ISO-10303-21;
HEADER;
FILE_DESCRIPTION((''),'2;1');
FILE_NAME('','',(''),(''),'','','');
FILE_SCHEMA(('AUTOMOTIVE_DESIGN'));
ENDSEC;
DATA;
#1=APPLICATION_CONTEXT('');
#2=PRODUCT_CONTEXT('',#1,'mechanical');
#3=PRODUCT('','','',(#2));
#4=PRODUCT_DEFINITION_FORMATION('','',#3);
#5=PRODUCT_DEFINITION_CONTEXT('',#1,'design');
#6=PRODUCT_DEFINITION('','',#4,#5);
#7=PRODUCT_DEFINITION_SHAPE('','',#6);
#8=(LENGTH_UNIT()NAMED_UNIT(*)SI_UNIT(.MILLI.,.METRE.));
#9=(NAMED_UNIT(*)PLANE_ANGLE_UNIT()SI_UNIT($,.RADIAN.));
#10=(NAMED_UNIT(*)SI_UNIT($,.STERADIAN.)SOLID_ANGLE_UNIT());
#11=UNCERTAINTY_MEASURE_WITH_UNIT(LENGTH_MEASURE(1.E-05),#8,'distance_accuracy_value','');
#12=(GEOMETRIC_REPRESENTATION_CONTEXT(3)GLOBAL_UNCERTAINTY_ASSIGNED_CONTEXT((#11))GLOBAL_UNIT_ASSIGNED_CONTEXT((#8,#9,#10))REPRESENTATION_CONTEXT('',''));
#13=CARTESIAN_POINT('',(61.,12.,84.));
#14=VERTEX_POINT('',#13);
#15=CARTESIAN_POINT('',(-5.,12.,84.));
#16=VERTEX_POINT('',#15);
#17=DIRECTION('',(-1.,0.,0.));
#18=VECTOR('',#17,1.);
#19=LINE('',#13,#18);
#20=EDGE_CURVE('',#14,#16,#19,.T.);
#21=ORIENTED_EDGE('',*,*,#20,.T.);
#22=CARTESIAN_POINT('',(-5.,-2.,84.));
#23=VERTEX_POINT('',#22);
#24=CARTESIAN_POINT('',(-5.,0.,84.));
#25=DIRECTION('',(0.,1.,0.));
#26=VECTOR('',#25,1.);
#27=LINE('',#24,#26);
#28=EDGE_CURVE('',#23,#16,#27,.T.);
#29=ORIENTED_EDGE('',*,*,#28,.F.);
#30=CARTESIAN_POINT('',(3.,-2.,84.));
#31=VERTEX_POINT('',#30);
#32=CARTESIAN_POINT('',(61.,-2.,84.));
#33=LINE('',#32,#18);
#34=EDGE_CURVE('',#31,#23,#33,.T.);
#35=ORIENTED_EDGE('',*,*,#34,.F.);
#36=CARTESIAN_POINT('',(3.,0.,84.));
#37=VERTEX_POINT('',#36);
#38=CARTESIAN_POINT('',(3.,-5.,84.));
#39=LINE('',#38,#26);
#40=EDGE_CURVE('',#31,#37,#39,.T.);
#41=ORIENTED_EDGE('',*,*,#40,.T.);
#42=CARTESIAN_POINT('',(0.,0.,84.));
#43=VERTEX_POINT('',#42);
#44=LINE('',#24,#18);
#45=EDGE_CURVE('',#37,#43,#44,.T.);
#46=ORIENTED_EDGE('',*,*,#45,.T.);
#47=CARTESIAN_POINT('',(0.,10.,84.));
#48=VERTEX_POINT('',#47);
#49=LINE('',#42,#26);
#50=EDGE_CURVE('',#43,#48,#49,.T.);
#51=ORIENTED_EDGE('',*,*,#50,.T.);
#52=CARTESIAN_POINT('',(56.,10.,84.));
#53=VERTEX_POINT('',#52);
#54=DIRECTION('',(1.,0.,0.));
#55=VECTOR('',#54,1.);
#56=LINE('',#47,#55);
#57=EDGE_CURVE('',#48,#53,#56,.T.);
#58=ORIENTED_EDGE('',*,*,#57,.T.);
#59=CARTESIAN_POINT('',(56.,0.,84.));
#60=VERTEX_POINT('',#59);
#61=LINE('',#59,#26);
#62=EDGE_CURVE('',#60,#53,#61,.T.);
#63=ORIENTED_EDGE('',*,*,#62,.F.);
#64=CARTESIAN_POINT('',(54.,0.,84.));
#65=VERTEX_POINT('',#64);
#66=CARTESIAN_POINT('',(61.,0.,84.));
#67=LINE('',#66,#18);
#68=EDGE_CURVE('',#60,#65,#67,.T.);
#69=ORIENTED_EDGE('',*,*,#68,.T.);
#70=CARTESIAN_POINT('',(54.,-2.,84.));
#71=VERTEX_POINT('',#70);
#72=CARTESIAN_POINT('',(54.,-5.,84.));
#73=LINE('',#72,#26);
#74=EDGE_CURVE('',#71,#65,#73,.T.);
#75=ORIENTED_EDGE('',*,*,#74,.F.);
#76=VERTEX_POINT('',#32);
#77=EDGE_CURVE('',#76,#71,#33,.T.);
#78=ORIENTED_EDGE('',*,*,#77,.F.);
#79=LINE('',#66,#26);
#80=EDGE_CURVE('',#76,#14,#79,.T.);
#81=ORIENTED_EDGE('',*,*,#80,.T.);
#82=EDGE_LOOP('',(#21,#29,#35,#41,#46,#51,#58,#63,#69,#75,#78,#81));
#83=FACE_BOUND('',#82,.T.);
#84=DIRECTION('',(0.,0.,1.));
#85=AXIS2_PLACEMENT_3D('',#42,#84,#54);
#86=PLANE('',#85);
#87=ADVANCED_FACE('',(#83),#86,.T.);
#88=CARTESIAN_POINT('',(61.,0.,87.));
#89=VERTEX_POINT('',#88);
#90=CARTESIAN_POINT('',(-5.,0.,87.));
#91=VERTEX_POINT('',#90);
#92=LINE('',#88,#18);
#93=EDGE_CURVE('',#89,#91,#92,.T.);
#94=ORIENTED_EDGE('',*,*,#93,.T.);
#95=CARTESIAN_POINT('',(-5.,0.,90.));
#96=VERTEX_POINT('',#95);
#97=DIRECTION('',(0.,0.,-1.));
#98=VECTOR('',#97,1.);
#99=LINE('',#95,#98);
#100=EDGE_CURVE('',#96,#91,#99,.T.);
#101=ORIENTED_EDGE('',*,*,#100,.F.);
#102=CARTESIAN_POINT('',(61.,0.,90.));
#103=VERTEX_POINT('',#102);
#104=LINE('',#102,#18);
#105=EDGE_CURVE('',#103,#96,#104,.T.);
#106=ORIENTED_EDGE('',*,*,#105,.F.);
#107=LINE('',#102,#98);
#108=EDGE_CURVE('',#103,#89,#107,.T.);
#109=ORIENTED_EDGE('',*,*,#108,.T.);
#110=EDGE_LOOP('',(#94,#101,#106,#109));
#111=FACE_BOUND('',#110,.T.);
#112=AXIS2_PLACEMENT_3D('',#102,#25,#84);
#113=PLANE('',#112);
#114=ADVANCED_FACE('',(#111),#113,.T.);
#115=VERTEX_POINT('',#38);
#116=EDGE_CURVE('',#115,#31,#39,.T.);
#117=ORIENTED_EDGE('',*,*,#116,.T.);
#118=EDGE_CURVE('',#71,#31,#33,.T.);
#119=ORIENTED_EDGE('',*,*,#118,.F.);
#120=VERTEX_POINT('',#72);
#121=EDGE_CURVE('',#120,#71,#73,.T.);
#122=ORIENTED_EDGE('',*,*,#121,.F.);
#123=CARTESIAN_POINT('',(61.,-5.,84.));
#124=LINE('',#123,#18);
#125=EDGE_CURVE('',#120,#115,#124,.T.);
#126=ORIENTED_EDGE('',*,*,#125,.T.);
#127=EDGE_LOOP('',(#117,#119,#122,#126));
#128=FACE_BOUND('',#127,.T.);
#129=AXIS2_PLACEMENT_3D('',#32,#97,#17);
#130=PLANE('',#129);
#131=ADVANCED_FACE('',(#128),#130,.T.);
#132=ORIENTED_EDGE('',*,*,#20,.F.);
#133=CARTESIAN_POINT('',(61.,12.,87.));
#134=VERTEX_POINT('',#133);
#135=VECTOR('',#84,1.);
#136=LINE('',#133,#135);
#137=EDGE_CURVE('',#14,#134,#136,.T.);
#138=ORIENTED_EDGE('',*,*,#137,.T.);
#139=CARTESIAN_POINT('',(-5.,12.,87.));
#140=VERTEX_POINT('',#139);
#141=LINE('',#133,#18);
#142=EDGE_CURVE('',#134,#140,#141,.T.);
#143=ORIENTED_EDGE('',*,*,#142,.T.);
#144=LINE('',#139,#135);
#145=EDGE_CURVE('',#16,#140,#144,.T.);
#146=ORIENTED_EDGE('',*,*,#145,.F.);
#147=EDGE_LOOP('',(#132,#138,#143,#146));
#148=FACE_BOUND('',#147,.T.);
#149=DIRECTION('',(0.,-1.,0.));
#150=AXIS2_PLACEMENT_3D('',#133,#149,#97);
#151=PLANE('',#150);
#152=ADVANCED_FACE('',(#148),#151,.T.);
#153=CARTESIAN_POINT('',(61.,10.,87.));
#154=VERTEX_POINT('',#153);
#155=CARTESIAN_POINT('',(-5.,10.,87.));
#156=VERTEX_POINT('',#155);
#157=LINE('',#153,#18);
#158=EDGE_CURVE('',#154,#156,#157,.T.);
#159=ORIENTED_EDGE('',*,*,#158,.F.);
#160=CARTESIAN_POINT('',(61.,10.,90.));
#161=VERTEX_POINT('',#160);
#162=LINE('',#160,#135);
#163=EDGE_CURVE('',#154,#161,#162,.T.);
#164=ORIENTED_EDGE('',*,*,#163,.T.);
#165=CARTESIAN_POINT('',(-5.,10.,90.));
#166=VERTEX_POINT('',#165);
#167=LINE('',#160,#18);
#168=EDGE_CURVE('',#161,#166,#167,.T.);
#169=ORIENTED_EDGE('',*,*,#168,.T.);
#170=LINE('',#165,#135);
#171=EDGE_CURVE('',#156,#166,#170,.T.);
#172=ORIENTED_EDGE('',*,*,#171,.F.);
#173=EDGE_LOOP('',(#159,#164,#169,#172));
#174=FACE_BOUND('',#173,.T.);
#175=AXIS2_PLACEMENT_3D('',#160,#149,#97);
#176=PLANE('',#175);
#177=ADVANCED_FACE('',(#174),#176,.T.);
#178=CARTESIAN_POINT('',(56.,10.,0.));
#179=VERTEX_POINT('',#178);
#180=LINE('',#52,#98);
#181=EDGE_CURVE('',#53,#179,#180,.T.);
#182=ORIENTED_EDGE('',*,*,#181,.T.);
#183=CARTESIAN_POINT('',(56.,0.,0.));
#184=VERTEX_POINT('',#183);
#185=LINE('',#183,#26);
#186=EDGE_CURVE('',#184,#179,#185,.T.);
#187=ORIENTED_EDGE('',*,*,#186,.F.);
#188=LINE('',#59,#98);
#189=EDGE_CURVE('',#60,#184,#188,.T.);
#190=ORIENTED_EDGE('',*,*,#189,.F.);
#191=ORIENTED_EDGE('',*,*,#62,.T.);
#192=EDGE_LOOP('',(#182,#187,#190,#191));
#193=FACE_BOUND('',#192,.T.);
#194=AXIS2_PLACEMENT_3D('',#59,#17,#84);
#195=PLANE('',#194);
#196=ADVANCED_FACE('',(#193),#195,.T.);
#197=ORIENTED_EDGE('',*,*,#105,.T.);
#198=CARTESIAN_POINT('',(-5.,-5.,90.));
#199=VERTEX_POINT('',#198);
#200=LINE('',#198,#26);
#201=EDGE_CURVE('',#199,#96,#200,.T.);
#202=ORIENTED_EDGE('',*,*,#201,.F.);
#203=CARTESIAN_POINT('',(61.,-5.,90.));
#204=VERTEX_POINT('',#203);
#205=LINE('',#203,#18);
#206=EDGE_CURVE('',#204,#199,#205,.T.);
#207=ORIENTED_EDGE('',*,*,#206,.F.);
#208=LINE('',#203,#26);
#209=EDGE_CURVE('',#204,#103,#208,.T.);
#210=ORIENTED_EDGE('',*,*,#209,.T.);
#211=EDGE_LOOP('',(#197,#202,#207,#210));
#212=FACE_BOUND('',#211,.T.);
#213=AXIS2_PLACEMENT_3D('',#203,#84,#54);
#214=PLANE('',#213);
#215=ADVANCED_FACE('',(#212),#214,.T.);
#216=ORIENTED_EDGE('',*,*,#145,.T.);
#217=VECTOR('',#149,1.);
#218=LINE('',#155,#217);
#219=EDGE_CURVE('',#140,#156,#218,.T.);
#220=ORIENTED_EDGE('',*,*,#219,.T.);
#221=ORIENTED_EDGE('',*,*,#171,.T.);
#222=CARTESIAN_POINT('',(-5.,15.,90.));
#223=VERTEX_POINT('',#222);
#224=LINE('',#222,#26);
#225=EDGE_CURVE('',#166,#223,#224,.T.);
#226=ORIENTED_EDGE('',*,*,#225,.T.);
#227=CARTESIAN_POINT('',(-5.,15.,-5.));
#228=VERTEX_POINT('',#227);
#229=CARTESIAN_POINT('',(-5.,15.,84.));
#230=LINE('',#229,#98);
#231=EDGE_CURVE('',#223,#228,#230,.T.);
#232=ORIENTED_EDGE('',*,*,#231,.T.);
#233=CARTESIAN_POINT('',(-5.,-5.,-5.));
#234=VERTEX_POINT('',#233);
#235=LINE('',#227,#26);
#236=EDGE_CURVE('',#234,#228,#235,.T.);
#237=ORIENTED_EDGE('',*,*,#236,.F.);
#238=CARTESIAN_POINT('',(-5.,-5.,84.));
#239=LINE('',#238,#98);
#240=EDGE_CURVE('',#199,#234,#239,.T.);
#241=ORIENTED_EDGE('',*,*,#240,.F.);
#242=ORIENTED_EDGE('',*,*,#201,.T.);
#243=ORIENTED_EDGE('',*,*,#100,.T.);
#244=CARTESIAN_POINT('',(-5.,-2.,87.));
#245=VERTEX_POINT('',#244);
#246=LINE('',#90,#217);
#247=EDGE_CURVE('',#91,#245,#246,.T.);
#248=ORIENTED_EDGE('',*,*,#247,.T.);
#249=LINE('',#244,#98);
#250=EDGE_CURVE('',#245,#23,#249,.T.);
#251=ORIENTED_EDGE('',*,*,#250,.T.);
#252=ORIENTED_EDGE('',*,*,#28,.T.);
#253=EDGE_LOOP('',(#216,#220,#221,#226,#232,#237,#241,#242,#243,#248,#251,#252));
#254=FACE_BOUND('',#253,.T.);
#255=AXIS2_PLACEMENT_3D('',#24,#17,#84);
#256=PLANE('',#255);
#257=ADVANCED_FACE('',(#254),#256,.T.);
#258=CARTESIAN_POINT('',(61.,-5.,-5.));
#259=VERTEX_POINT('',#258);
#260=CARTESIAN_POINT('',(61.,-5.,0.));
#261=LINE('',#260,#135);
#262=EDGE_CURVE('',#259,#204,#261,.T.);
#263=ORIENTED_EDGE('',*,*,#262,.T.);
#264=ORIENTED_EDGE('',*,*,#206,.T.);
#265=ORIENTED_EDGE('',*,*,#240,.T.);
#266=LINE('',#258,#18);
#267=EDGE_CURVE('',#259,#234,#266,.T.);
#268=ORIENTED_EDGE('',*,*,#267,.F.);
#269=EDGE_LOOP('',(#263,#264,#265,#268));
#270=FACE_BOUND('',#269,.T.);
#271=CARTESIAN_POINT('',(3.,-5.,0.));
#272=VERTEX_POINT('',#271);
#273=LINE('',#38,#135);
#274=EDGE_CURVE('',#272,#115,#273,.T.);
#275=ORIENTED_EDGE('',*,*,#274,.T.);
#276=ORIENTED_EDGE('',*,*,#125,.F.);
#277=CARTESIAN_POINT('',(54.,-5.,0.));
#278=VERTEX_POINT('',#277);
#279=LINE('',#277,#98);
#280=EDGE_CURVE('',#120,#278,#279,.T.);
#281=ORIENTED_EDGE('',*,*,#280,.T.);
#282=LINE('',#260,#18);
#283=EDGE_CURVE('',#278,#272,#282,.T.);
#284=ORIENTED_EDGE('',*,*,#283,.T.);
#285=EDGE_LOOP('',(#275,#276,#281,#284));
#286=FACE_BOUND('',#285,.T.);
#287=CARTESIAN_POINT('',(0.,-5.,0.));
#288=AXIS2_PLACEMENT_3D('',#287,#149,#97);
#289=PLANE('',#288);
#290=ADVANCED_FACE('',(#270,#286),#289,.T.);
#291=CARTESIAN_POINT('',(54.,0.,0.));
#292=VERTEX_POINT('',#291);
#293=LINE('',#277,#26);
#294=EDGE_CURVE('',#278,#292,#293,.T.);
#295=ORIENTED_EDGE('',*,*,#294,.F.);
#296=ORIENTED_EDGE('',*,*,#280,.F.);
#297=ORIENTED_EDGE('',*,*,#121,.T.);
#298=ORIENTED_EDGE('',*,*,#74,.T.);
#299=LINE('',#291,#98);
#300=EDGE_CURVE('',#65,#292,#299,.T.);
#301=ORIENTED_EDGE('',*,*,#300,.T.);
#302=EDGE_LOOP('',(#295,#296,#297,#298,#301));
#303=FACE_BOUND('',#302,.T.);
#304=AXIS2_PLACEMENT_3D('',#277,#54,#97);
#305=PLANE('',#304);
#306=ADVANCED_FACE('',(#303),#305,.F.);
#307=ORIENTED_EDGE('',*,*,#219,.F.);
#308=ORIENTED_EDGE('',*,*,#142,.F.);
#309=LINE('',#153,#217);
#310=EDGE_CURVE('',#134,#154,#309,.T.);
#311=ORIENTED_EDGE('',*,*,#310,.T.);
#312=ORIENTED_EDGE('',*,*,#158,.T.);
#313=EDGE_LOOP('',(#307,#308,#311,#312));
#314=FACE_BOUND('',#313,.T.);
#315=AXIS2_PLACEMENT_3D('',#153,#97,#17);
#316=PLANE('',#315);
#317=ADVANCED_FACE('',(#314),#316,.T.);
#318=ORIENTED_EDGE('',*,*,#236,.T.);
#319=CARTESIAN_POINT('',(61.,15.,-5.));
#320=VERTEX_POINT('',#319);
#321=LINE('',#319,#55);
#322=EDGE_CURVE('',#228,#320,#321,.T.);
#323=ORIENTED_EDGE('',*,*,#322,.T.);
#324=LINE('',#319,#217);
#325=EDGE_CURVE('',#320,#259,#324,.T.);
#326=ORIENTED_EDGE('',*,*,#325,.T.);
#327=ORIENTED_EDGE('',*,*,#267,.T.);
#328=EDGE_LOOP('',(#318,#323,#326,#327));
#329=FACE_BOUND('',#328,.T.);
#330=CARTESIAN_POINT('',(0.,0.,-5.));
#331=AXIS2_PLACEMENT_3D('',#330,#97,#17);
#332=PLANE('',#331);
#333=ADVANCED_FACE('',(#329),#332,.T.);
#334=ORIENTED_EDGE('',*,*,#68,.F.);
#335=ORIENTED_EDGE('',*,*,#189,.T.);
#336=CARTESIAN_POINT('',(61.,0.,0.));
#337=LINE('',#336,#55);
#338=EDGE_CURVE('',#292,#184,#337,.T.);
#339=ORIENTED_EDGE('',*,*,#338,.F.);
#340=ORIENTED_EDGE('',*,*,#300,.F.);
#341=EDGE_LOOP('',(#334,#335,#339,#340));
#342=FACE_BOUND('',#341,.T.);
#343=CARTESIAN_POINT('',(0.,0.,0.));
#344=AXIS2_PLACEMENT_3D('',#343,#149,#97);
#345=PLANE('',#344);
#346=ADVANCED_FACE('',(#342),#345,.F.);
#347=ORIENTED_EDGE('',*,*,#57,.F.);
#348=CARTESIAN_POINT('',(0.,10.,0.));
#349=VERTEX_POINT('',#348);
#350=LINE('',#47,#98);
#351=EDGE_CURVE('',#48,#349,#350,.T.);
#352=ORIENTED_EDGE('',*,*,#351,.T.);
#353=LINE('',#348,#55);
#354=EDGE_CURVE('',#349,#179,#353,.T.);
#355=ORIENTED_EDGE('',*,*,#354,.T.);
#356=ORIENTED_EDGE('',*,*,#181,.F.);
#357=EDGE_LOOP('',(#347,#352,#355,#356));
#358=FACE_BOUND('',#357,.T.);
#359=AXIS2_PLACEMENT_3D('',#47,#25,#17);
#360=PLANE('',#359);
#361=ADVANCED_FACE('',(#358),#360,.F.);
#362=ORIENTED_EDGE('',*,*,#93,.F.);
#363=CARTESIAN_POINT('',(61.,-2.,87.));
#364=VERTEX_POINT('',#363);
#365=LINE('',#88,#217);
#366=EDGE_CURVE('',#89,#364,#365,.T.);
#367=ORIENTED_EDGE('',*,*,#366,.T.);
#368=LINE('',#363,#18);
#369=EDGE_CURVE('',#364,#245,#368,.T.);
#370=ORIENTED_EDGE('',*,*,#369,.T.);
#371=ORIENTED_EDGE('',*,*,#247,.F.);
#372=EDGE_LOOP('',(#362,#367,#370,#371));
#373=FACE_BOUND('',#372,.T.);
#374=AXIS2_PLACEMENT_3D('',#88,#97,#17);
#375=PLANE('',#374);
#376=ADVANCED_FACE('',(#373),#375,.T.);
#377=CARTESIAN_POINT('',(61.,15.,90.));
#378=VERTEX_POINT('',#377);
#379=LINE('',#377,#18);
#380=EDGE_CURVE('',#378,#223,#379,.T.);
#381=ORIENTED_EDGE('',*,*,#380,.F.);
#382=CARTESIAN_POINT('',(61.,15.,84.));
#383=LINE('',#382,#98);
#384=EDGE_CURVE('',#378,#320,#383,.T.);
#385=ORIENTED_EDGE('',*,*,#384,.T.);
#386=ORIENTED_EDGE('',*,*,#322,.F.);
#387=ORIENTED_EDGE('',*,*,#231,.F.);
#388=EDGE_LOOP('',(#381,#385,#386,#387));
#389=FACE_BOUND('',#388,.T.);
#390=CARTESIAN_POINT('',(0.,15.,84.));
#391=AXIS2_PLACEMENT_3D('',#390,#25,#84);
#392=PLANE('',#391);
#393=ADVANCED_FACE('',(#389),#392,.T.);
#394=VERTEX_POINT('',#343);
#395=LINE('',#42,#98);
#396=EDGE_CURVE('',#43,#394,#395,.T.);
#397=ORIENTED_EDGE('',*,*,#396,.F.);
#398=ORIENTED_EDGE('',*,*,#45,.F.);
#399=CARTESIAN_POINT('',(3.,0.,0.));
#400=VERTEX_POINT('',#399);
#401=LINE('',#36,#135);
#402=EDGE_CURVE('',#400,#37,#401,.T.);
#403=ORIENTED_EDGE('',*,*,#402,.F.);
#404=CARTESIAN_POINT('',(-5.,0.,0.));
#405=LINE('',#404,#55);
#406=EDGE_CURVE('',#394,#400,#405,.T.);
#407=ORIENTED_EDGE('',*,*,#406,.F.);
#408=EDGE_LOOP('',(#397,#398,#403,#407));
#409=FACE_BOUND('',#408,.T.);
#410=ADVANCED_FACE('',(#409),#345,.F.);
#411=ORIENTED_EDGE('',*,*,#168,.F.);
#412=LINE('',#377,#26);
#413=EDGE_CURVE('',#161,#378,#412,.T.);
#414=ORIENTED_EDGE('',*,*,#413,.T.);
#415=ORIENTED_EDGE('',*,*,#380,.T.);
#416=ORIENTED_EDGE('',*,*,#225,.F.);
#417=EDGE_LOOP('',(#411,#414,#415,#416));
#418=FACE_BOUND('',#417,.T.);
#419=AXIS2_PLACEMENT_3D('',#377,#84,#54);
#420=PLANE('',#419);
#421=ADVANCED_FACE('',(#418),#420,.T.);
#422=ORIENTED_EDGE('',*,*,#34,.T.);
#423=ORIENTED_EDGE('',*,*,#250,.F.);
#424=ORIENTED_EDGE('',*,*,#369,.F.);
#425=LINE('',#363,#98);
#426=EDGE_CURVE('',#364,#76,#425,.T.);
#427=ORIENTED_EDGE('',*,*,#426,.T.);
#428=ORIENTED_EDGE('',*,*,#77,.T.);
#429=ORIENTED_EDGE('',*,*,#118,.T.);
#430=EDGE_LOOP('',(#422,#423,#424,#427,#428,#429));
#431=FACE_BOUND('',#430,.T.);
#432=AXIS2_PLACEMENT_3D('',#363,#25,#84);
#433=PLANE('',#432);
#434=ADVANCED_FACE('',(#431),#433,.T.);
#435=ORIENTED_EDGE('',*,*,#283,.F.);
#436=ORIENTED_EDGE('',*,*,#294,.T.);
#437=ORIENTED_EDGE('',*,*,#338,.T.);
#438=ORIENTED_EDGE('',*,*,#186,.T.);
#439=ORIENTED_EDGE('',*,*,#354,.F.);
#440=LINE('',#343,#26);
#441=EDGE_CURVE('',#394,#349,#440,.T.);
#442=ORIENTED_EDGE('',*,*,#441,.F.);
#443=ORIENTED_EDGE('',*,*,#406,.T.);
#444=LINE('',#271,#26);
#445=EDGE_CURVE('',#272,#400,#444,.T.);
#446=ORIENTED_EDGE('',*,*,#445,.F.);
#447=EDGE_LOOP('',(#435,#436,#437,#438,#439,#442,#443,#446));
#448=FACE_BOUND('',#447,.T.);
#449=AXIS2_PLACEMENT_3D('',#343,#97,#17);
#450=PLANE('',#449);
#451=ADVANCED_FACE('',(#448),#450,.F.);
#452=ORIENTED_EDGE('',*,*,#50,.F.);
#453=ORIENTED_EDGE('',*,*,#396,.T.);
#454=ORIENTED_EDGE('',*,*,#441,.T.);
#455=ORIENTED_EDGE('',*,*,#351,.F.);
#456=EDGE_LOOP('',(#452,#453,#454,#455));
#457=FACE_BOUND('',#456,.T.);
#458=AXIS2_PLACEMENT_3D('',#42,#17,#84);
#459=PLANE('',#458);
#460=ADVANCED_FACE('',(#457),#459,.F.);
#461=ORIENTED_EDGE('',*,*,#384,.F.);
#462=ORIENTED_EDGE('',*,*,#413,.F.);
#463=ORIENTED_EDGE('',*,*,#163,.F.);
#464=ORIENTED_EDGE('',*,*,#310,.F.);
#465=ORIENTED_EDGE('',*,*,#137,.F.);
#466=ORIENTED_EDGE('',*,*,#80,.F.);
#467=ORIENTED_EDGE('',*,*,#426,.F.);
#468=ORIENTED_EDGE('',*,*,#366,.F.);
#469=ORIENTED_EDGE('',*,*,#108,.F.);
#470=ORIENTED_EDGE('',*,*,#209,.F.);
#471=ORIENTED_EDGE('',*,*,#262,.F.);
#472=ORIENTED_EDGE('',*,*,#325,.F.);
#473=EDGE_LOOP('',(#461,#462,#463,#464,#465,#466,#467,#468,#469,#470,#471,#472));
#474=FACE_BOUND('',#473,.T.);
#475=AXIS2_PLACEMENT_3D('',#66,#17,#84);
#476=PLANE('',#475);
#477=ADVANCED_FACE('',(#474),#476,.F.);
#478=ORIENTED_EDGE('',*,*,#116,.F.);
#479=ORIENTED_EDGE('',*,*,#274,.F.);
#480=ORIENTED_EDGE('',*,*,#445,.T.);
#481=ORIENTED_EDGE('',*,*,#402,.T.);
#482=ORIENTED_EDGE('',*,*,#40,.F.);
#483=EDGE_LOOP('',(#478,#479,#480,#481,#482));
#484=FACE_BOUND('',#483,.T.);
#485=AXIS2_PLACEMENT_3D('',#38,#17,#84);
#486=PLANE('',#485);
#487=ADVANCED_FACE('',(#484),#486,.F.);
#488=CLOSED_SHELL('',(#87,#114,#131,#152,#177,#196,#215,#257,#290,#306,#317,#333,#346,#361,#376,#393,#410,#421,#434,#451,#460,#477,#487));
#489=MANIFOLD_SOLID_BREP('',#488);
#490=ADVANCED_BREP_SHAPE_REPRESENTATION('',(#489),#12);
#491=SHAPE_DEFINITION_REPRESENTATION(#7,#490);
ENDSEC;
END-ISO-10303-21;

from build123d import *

# Parameters (mm, degrees)
EXTRUDE_1_DEPTH = 84
SKETCH_2_W      = 8
SKETCH_2_H      = 84
SKETCH_2_W_2    = 7
EXTRUDE_2_DEPTH = 5
SKETCH_3_W      = 66
SKETCH_3_H      = 20
EXTRUDE_3_DEPTH = 5
EXTRUDE_4_DEPTH = 66


with BuildPart() as part:
    # 스케치1 → 보스-돌출1 (new body)
    with BuildSketch(Plane.XY):
        Polygon((-5, 0), (0, 0), (0, 10), (56, 10), (56, 0), (61, 0), (61, 15), (-5, 15), align=None)
    extrude(amount=EXTRUDE_1_DEPTH)

    # 스케치2 → 보스-돌출2 (add)
    with BuildSketch(Plane.XZ):
        with Locations((-1, 42)):
            Rectangle(SKETCH_2_W, SKETCH_2_H)
        with Locations((57.5, 42)):
            Rectangle(SKETCH_2_W_2, SKETCH_2_H)
    extrude(amount=EXTRUDE_2_DEPTH)

    # 스케치3 → 보스-돌출3 (add)
    with BuildSketch(Plane(origin=(0, 0, 0), x_dir=(-1, 0, 0), z_dir=(0, 0, -1))):
        with Locations((-28, 5)):
            Rectangle(SKETCH_3_W, SKETCH_3_H)
    extrude(amount=EXTRUDE_3_DEPTH)

    # 스케치4 → 보스-돌출4 (add)
    with BuildSketch(Plane.ZY.offset(5)):
        Polygon((84, 15), (90, 15), (90, 10), (87, 10), (87, 12), (84, 12), align=None)
        Polygon((84, -5), (90, -5), (90, 0), (87, 0), (87, -2), (84, -2), align=None)
    extrude(amount=-EXTRUDE_4_DEPTH)


solid = part.part
